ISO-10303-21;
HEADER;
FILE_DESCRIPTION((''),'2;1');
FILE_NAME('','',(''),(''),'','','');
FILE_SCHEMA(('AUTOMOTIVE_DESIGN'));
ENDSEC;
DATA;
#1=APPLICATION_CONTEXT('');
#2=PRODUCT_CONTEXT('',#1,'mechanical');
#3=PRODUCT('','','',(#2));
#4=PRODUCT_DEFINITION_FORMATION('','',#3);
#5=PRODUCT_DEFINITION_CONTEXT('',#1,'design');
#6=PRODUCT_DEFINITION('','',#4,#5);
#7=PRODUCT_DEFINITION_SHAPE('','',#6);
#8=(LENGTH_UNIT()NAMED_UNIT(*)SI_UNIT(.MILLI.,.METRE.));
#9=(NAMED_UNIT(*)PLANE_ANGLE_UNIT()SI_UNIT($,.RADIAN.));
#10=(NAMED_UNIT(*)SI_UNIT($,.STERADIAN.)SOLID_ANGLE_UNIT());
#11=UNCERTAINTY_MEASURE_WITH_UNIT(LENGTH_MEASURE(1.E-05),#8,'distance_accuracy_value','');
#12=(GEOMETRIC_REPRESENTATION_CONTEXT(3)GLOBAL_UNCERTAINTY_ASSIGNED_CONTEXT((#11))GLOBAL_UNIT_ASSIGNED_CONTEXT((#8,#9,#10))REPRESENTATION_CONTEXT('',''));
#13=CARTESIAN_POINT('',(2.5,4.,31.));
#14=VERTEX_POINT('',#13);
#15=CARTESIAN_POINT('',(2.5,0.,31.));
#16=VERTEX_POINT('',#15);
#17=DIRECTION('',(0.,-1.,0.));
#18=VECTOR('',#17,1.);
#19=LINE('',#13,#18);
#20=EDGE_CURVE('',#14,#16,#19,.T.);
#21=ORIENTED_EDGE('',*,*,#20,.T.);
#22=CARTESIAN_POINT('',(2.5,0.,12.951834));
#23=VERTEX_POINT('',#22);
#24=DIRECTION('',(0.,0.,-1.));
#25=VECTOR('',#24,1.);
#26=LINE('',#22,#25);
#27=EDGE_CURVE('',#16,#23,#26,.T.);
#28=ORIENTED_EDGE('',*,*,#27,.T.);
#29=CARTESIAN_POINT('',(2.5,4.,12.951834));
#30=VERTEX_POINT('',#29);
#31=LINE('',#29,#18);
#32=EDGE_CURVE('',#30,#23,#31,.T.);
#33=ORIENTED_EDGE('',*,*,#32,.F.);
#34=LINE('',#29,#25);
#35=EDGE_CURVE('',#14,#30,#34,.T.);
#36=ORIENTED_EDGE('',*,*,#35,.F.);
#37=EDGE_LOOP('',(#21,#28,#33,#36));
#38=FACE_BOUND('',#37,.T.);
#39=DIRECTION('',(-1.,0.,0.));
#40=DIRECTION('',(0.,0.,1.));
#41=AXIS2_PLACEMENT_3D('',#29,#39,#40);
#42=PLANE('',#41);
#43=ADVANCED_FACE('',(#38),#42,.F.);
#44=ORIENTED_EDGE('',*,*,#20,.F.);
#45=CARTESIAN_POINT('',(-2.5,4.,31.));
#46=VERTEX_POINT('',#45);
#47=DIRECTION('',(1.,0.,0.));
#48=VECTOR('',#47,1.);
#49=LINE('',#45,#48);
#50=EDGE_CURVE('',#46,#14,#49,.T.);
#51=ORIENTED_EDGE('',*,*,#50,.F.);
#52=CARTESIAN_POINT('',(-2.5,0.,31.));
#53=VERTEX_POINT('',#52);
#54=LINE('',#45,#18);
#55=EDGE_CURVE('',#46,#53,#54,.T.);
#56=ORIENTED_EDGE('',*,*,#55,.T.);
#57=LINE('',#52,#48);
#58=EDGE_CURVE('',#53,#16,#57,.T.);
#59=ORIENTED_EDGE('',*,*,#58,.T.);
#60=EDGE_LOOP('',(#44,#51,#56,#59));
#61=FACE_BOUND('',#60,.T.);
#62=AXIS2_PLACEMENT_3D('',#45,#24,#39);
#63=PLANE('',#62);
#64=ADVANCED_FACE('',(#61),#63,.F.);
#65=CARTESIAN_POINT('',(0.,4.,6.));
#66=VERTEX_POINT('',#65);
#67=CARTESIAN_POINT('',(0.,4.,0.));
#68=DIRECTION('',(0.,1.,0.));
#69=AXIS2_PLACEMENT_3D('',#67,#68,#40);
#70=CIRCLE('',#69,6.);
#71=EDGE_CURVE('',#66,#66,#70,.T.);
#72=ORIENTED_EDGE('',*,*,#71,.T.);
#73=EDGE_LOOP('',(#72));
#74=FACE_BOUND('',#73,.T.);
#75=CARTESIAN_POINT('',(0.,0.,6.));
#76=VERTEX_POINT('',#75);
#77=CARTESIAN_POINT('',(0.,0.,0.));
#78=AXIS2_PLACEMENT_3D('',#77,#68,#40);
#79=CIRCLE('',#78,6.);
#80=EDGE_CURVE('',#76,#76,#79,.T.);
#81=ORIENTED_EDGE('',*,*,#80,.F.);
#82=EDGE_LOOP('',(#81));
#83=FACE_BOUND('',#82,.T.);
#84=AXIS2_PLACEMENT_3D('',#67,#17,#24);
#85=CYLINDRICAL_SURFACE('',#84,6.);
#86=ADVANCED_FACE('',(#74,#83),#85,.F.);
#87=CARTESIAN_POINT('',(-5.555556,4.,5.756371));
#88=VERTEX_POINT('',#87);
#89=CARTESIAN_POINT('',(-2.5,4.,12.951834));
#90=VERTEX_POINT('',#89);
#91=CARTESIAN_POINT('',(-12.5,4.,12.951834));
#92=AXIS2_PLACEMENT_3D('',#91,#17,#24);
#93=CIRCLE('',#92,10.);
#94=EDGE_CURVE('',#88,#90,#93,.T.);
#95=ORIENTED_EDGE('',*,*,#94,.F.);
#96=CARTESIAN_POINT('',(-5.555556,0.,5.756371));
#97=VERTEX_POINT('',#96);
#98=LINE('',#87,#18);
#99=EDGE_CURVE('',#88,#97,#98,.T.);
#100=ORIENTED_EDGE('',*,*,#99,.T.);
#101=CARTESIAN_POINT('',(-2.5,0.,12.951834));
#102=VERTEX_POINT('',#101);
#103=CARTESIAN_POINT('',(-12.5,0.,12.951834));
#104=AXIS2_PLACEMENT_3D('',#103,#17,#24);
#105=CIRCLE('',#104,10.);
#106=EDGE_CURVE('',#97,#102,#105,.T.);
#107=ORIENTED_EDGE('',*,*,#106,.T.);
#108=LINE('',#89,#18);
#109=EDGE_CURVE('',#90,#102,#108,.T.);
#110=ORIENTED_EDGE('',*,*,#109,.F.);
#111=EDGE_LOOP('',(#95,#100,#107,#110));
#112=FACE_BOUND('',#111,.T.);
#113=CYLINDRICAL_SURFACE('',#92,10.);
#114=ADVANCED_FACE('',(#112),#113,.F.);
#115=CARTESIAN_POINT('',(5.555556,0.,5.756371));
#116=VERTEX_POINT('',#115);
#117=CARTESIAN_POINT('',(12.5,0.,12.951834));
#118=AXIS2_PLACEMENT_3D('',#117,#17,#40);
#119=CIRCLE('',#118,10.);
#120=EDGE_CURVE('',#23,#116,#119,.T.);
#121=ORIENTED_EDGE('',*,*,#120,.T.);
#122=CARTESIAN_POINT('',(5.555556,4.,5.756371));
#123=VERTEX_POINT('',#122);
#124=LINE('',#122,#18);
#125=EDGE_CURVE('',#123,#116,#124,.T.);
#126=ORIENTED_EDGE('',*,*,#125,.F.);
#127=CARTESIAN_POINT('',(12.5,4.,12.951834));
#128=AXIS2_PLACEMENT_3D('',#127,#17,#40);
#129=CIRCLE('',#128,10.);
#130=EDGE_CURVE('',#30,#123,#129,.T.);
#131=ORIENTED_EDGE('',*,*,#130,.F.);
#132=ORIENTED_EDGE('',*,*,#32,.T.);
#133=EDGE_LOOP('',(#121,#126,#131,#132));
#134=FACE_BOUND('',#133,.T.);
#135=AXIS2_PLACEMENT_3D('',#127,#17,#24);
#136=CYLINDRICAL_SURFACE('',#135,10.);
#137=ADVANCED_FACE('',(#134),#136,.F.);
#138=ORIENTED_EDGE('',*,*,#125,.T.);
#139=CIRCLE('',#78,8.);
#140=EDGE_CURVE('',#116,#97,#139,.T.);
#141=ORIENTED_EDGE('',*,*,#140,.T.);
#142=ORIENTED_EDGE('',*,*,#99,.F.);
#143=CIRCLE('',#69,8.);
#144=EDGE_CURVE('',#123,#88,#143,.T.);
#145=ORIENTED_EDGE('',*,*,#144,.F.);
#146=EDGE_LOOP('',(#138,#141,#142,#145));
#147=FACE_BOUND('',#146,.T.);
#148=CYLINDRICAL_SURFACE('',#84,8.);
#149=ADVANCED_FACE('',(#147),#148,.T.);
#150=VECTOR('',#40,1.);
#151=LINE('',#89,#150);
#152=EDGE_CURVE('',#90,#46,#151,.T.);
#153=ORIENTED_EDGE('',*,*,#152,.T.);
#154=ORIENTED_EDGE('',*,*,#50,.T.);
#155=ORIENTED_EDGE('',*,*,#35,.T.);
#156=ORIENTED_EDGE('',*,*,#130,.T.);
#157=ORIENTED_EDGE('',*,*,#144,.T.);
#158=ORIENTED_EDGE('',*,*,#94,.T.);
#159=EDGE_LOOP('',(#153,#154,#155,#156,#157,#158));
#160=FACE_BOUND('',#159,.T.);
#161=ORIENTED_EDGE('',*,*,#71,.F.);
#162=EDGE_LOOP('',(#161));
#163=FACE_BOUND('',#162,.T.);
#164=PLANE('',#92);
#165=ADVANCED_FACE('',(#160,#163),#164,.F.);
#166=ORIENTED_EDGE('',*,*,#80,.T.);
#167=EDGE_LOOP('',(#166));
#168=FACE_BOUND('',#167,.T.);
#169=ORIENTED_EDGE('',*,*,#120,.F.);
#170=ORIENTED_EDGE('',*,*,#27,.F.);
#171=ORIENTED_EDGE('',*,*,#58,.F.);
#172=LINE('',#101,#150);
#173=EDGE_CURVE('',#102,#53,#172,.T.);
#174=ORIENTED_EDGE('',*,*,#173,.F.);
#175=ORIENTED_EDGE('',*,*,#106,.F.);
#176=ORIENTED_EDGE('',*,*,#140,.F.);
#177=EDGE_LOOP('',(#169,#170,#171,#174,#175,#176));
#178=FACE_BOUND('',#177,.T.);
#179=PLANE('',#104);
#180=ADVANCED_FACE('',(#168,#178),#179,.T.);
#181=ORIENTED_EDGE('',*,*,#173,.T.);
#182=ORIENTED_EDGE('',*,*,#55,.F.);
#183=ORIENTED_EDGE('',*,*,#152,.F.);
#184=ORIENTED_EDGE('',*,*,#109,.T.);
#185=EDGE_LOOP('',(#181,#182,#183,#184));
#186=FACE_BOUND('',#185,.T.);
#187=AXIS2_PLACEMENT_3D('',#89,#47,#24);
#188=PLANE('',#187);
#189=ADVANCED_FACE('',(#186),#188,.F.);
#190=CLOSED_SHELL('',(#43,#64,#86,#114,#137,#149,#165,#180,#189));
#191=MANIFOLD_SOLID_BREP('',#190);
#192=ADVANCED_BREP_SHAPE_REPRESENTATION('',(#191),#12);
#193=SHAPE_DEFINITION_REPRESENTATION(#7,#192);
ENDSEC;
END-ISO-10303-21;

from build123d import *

# Parameters (mm, degrees)
SKETCH1_R           = 6
BOSS_EXTRUDE1_DEPTH = 4


with BuildPart() as part:
    # Sketch1 → Boss-Extrude1 (new body)
    with BuildSketch(Plane(origin=(0, 0, 0), x_dir=(1, 0, 0), z_dir=(0, 1, 0))):
        with BuildLine():
            Line((-2.5, -12.951833847), (-2.5, -31))
            Line((-2.5, -31), (2.5, -31))
            Line((2.5, -31), (2.5, -12.951833847))
            ThreePointArc((2.5, -12.951833847), (3.295532486, -9.043154047), (5.555555556, -5.756370599))
            ThreePointArc((5.555555556, -5.756370599), (0, 8), (-5.555555556, -5.756370599))
            ThreePointArc((-5.555555556, -5.756370599), (-3.295532486, -9.043154047), (-2.5, -12.951833847))
        make_face()
        Circle(SKETCH1_R, mode=Mode.SUBTRACT)
    extrude(amount=BOSS_EXTRUDE1_DEPTH)


solid = part.part
